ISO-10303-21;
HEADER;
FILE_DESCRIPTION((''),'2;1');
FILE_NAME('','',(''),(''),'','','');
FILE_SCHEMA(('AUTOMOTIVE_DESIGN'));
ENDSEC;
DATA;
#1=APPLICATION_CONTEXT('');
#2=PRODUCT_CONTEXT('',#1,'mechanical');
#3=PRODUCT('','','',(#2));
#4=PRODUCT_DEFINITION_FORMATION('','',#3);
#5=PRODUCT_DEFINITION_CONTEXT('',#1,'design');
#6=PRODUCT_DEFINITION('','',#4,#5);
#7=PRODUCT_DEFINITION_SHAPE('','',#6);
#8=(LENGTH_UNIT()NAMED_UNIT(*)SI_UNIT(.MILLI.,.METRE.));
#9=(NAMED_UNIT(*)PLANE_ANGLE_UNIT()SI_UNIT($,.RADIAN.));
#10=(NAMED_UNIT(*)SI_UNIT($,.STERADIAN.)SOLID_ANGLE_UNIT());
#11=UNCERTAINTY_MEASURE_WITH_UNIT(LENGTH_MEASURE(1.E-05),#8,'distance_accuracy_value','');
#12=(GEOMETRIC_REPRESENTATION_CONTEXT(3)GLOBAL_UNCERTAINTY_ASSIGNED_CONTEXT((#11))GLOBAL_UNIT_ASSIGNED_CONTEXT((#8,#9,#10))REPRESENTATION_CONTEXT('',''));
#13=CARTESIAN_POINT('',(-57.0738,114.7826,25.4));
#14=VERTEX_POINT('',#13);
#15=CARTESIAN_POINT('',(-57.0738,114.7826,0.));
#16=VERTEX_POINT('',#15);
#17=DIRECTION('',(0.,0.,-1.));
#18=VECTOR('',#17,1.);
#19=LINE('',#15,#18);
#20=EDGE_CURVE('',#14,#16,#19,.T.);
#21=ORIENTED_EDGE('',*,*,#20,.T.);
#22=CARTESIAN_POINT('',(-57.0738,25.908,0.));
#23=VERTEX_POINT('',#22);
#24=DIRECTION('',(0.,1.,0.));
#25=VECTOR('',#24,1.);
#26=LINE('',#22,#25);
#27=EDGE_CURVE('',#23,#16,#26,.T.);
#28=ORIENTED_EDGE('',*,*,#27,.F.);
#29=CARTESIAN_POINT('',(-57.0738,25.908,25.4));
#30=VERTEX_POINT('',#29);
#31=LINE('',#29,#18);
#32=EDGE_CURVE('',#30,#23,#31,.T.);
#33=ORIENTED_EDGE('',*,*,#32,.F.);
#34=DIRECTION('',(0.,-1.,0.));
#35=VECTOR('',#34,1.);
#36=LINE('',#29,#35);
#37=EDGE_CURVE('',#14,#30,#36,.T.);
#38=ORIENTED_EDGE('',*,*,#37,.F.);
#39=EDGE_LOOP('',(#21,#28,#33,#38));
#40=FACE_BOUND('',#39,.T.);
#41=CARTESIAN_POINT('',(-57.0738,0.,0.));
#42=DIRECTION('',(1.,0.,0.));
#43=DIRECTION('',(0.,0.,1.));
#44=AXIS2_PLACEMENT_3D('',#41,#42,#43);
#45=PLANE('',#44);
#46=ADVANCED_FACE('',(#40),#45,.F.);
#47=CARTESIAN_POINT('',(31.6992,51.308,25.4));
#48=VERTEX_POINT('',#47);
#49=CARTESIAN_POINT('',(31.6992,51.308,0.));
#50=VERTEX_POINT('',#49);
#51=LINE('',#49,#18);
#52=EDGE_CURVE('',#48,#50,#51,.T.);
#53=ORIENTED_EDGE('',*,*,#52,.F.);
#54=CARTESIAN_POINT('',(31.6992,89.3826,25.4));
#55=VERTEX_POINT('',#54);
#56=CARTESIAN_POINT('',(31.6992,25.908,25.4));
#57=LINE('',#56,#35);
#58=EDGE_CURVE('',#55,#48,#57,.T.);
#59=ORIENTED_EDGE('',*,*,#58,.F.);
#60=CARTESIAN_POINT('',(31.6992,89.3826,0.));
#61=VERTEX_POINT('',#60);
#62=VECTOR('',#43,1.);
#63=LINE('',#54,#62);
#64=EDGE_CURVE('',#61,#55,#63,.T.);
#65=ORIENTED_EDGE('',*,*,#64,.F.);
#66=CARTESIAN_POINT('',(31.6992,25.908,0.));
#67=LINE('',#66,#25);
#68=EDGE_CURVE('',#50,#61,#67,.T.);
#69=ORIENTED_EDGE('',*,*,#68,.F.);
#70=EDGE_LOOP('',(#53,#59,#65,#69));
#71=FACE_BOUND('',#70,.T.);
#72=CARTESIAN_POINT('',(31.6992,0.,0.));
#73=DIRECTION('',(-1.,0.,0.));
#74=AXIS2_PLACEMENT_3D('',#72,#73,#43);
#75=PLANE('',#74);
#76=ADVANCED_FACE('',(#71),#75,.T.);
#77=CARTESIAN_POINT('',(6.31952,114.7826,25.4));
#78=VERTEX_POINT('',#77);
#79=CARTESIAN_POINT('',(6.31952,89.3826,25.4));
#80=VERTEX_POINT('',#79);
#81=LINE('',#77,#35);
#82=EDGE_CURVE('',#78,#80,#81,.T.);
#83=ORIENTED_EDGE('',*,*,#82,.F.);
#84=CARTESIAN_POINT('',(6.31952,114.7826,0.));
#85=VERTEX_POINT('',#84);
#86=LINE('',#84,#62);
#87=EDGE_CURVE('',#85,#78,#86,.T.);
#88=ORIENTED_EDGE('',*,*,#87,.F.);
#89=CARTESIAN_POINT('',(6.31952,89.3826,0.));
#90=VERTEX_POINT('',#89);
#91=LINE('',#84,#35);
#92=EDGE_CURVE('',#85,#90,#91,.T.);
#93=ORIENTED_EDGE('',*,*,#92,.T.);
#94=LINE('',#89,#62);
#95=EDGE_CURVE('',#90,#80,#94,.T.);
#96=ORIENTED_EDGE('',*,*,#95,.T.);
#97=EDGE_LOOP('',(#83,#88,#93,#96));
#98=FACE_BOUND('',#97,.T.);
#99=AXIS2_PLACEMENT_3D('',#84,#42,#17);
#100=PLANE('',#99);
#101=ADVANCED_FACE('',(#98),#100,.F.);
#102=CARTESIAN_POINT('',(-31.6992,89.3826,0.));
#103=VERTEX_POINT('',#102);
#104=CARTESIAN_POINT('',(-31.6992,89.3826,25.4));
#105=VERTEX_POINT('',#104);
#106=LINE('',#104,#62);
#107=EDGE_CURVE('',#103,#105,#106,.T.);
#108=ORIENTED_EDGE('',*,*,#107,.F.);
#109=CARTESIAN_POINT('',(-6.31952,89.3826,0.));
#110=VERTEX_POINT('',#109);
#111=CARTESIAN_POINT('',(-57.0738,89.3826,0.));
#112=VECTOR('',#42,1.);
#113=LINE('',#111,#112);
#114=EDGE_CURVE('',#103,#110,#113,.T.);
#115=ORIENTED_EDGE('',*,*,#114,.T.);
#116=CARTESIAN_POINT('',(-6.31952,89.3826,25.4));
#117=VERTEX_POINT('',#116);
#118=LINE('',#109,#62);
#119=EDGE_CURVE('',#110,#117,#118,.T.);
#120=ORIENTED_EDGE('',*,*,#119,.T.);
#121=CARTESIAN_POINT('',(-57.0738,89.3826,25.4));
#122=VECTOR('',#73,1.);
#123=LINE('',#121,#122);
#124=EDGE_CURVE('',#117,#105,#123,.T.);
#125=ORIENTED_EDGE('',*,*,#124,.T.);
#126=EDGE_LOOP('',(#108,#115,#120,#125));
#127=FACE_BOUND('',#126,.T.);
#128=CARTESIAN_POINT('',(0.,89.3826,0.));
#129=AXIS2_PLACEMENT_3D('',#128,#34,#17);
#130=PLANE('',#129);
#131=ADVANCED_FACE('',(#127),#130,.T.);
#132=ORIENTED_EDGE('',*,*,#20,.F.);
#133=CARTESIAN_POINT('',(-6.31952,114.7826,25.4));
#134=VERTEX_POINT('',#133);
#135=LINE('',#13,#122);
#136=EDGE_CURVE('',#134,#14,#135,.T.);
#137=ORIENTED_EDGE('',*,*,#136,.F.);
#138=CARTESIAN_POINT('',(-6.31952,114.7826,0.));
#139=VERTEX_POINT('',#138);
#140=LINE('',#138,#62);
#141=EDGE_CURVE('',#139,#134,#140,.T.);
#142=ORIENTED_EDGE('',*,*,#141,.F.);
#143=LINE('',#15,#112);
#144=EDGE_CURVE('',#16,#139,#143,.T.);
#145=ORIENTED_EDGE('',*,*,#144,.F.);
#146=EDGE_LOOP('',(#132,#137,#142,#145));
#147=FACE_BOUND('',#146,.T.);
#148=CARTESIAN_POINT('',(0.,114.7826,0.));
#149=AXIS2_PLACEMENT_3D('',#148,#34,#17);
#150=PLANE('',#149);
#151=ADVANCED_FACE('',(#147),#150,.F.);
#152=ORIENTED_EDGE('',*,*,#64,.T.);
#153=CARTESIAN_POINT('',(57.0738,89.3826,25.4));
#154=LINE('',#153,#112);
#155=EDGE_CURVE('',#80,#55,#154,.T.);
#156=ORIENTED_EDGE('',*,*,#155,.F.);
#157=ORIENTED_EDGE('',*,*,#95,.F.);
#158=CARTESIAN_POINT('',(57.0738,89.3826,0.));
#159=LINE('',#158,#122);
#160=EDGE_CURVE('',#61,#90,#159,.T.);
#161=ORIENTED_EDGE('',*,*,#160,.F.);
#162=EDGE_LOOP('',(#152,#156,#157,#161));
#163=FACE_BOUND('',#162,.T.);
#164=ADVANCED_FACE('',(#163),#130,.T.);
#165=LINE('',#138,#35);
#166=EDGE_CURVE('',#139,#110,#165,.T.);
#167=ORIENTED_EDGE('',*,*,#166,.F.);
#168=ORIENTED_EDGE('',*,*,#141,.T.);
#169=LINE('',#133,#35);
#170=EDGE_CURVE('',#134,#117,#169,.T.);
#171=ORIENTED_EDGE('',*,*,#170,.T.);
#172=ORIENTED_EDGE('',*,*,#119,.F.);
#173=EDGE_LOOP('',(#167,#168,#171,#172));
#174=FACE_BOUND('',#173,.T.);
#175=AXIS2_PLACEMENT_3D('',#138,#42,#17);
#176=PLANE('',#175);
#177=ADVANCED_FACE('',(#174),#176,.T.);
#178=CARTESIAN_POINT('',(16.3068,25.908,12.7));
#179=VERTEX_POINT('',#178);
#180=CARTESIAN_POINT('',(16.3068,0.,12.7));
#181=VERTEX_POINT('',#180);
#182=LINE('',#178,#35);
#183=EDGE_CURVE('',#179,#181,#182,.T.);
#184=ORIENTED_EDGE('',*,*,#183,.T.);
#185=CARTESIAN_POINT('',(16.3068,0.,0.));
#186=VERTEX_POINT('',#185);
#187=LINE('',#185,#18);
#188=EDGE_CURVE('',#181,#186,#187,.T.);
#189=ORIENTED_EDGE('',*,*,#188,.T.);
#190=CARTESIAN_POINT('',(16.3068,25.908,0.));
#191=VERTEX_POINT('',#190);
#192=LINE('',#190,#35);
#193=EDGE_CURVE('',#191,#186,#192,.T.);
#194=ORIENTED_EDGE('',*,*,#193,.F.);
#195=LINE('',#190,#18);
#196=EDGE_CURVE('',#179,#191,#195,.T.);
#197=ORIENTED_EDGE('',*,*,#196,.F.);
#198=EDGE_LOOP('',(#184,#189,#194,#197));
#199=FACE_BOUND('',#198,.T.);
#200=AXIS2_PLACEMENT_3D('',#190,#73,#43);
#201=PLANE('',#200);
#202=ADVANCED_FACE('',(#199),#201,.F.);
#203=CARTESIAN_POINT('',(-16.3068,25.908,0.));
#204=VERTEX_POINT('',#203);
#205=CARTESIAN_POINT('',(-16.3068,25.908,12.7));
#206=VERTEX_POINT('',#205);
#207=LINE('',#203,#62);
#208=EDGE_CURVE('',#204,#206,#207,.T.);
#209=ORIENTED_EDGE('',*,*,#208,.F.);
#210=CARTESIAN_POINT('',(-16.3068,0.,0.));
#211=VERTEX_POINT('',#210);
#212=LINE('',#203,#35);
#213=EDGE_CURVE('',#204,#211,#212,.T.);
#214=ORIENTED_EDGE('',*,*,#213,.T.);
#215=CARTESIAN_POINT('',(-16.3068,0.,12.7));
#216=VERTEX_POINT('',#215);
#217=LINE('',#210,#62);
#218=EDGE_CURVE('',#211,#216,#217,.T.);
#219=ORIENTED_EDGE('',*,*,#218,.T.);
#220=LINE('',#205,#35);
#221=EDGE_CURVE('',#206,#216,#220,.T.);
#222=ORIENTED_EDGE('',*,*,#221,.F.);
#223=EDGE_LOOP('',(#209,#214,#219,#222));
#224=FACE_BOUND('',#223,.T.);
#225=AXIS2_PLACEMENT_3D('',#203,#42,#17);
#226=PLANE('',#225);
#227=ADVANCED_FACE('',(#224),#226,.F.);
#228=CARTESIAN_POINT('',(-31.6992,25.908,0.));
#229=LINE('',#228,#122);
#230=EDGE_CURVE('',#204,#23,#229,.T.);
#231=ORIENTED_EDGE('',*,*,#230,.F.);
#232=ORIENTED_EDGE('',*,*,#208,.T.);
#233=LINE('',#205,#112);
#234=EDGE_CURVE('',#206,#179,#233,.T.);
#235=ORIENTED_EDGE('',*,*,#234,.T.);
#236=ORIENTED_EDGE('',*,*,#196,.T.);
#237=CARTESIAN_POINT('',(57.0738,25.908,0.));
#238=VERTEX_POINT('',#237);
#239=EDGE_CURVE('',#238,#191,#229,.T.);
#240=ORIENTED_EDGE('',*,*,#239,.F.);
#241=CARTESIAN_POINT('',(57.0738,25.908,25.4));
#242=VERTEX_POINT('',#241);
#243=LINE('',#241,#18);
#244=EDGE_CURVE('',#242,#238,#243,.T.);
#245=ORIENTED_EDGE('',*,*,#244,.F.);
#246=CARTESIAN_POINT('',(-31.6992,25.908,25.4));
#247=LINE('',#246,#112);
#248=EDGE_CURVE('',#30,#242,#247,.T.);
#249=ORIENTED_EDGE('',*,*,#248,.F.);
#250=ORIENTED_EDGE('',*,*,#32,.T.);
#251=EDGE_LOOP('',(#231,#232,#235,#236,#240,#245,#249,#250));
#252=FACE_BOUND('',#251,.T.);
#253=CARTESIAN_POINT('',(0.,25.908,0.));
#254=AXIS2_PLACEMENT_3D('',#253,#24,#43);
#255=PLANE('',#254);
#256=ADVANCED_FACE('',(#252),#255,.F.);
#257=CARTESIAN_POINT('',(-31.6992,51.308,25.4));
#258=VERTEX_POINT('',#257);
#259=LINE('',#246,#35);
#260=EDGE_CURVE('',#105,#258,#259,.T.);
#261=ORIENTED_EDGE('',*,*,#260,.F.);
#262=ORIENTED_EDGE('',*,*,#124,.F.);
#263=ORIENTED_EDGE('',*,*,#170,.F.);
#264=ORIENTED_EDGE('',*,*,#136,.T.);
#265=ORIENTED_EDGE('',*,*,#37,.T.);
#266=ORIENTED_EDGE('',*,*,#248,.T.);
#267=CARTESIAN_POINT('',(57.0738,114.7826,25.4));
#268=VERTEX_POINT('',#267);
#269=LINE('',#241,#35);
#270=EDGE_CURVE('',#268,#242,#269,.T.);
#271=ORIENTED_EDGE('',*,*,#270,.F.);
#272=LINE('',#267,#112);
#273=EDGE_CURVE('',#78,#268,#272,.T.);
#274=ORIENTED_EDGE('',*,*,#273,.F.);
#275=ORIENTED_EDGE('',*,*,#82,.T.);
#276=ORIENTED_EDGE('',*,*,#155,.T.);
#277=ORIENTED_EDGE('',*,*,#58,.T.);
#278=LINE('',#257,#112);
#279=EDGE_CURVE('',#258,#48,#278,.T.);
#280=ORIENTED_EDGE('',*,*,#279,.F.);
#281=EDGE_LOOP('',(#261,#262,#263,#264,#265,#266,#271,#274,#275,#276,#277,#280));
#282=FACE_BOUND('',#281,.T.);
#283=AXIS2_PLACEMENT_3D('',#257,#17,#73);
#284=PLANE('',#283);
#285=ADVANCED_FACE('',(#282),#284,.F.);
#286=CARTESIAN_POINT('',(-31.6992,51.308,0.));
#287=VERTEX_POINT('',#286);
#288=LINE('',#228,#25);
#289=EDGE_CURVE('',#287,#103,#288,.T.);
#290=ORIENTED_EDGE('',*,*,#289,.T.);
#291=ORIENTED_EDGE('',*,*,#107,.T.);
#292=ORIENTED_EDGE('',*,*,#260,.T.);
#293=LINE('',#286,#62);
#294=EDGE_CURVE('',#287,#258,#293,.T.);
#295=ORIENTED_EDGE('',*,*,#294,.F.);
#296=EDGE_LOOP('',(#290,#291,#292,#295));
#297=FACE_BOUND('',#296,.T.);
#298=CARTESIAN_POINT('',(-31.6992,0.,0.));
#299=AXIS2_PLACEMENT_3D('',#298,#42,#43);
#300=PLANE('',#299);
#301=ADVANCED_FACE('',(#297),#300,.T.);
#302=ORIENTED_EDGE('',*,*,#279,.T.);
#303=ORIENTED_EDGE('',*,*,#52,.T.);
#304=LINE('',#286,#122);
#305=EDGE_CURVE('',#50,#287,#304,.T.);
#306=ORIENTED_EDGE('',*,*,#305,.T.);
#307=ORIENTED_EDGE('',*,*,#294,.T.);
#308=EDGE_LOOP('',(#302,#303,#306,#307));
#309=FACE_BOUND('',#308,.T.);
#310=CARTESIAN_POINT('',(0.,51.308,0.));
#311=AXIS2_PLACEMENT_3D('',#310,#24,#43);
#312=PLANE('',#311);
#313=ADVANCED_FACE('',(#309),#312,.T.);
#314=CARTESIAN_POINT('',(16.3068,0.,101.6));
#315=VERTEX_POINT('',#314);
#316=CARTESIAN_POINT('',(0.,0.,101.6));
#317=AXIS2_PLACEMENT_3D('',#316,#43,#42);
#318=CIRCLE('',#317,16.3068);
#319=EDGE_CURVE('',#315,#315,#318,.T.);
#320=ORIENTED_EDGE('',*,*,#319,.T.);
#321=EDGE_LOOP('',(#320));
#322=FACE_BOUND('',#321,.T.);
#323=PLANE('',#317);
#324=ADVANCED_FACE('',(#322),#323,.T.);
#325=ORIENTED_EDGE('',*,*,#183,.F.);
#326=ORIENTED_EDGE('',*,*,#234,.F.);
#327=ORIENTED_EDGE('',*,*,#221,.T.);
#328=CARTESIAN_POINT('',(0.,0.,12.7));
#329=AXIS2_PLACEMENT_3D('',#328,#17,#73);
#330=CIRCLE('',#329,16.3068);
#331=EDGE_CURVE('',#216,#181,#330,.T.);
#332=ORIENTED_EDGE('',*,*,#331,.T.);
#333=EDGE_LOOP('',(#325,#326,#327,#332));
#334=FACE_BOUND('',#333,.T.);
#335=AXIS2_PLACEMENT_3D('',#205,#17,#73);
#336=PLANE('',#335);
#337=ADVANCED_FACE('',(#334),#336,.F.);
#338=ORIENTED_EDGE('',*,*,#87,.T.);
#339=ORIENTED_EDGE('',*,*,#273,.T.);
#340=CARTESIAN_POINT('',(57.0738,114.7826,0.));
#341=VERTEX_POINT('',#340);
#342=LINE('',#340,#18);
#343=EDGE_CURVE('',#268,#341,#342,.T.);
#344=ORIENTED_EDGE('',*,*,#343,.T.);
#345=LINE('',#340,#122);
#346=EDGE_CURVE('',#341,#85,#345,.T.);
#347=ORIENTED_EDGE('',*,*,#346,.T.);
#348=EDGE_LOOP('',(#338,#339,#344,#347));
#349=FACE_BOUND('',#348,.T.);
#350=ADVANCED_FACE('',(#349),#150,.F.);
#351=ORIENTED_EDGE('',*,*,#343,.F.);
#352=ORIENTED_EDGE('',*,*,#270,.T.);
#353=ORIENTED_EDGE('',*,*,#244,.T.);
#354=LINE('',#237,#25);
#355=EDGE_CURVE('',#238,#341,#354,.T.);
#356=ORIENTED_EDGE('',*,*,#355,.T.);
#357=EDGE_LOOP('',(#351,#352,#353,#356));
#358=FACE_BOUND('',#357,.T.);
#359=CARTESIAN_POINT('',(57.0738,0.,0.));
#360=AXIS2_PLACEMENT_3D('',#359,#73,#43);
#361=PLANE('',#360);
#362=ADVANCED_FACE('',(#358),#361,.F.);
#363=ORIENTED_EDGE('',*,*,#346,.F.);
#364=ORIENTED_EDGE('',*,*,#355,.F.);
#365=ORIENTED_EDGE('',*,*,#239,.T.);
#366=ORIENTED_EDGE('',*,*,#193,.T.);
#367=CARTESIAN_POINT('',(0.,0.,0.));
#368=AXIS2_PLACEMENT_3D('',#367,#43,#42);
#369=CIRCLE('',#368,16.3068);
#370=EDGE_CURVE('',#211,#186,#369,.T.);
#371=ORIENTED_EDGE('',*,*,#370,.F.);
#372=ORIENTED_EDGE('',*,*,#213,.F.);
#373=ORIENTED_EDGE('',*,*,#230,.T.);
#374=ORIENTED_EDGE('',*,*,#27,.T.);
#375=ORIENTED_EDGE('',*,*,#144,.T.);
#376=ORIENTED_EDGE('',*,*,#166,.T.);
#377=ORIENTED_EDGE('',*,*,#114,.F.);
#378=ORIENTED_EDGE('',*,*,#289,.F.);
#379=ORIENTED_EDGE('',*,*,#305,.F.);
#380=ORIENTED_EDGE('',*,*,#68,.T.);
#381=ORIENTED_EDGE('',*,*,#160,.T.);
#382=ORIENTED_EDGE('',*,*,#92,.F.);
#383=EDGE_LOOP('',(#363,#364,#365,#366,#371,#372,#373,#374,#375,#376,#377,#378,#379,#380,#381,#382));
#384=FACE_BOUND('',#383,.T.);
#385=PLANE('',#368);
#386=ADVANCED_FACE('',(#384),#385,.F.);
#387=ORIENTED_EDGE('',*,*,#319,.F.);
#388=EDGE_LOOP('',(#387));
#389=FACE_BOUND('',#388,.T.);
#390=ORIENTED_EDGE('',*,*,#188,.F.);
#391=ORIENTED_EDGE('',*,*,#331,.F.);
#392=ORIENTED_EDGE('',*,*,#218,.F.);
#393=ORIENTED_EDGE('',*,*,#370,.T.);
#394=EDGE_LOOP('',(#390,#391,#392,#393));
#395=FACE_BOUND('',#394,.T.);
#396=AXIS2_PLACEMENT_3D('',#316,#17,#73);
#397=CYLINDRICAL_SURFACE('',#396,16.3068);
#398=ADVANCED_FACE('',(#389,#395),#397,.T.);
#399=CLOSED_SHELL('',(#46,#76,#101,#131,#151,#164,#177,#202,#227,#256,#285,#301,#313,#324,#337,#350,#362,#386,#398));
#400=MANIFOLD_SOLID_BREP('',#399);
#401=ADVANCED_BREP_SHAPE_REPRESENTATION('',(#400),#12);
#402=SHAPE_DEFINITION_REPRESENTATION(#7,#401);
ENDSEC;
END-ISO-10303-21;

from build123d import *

# Parameters (mm, degrees)
SKETCH1_R       = 16.3068
FEATURE_A_DEPTH = 101.6
SKETCH2_W       = 32.6136
SKETCH2_H       = 12.7
FEATURE_B_DEPTH = 25.908
SKETCH3_W       = 63.3984
SKETCH3_H       = 25.4
FEATURE_C_DEPTH = 25.4
SKETCH4_W       = 25.4
SKETCH4_H       = 63.4746
FEATURE_D_DEPTH = 25.3746
SKETCH5_W       = 50.75428
SKETCH5_H       = 25.4
FEATURE_E_DEPTH = 25.4


with BuildPart() as part:
    # Sketch1 → Feature A (new body)
    with BuildSketch(Plane.XY):
        Circle(SKETCH1_R)
    extrude(amount=FEATURE_A_DEPTH)

    # Sketch2 → Feature B (add)
    with BuildSketch(Plane(origin=(0, 0, 0), x_dir=(1, 0, 0), z_dir=(0, 1, 0))):
        with Locations((0, -6.35)):
            Rectangle(SKETCH2_W, SKETCH2_H)
    extrude(amount=FEATURE_B_DEPTH)

    # Sketch3 → Feature C (add)
    with BuildSketch(Plane(origin=(0, 25.908, 0), x_dir=(1, 0, 0), z_dir=(0, 1, 0))):
        with Locations((0, -12.7)):
            Rectangle(SKETCH3_W, SKETCH3_H)
    feature_c = extrude(amount=FEATURE_C_DEPTH)

    # Sketch4 → Feature D (add)
    with BuildSketch(Plane(origin=(31.6992, 0, 0), x_dir=(0, 0, -1), z_dir=(1, 0, 0))):
        with Locations((-12.7, 57.6453)):
            Rectangle(SKETCH4_W, SKETCH4_H)
    feature_d = extrude(amount=FEATURE_D_DEPTH)

    # Sketch5 → Feature E (add)
    with BuildSketch(Plane(origin=(0, 89.3826, 0), x_dir=(1, 0, 0), z_dir=(0, 1, 0))):
        with Locations((31.69666, -12.7)):
            Rectangle(SKETCH5_W, SKETCH5_H)
    feature_e = extrude(amount=FEATURE_E_DEPTH)

    # Mirror6: Feature C, Feature D, Feature E across plane
    add(feature_c.mirror(Plane.ZY))
    add(feature_d.mirror(Plane.ZY))
    add(feature_e.mirror(Plane.ZY))


solid = part.part
